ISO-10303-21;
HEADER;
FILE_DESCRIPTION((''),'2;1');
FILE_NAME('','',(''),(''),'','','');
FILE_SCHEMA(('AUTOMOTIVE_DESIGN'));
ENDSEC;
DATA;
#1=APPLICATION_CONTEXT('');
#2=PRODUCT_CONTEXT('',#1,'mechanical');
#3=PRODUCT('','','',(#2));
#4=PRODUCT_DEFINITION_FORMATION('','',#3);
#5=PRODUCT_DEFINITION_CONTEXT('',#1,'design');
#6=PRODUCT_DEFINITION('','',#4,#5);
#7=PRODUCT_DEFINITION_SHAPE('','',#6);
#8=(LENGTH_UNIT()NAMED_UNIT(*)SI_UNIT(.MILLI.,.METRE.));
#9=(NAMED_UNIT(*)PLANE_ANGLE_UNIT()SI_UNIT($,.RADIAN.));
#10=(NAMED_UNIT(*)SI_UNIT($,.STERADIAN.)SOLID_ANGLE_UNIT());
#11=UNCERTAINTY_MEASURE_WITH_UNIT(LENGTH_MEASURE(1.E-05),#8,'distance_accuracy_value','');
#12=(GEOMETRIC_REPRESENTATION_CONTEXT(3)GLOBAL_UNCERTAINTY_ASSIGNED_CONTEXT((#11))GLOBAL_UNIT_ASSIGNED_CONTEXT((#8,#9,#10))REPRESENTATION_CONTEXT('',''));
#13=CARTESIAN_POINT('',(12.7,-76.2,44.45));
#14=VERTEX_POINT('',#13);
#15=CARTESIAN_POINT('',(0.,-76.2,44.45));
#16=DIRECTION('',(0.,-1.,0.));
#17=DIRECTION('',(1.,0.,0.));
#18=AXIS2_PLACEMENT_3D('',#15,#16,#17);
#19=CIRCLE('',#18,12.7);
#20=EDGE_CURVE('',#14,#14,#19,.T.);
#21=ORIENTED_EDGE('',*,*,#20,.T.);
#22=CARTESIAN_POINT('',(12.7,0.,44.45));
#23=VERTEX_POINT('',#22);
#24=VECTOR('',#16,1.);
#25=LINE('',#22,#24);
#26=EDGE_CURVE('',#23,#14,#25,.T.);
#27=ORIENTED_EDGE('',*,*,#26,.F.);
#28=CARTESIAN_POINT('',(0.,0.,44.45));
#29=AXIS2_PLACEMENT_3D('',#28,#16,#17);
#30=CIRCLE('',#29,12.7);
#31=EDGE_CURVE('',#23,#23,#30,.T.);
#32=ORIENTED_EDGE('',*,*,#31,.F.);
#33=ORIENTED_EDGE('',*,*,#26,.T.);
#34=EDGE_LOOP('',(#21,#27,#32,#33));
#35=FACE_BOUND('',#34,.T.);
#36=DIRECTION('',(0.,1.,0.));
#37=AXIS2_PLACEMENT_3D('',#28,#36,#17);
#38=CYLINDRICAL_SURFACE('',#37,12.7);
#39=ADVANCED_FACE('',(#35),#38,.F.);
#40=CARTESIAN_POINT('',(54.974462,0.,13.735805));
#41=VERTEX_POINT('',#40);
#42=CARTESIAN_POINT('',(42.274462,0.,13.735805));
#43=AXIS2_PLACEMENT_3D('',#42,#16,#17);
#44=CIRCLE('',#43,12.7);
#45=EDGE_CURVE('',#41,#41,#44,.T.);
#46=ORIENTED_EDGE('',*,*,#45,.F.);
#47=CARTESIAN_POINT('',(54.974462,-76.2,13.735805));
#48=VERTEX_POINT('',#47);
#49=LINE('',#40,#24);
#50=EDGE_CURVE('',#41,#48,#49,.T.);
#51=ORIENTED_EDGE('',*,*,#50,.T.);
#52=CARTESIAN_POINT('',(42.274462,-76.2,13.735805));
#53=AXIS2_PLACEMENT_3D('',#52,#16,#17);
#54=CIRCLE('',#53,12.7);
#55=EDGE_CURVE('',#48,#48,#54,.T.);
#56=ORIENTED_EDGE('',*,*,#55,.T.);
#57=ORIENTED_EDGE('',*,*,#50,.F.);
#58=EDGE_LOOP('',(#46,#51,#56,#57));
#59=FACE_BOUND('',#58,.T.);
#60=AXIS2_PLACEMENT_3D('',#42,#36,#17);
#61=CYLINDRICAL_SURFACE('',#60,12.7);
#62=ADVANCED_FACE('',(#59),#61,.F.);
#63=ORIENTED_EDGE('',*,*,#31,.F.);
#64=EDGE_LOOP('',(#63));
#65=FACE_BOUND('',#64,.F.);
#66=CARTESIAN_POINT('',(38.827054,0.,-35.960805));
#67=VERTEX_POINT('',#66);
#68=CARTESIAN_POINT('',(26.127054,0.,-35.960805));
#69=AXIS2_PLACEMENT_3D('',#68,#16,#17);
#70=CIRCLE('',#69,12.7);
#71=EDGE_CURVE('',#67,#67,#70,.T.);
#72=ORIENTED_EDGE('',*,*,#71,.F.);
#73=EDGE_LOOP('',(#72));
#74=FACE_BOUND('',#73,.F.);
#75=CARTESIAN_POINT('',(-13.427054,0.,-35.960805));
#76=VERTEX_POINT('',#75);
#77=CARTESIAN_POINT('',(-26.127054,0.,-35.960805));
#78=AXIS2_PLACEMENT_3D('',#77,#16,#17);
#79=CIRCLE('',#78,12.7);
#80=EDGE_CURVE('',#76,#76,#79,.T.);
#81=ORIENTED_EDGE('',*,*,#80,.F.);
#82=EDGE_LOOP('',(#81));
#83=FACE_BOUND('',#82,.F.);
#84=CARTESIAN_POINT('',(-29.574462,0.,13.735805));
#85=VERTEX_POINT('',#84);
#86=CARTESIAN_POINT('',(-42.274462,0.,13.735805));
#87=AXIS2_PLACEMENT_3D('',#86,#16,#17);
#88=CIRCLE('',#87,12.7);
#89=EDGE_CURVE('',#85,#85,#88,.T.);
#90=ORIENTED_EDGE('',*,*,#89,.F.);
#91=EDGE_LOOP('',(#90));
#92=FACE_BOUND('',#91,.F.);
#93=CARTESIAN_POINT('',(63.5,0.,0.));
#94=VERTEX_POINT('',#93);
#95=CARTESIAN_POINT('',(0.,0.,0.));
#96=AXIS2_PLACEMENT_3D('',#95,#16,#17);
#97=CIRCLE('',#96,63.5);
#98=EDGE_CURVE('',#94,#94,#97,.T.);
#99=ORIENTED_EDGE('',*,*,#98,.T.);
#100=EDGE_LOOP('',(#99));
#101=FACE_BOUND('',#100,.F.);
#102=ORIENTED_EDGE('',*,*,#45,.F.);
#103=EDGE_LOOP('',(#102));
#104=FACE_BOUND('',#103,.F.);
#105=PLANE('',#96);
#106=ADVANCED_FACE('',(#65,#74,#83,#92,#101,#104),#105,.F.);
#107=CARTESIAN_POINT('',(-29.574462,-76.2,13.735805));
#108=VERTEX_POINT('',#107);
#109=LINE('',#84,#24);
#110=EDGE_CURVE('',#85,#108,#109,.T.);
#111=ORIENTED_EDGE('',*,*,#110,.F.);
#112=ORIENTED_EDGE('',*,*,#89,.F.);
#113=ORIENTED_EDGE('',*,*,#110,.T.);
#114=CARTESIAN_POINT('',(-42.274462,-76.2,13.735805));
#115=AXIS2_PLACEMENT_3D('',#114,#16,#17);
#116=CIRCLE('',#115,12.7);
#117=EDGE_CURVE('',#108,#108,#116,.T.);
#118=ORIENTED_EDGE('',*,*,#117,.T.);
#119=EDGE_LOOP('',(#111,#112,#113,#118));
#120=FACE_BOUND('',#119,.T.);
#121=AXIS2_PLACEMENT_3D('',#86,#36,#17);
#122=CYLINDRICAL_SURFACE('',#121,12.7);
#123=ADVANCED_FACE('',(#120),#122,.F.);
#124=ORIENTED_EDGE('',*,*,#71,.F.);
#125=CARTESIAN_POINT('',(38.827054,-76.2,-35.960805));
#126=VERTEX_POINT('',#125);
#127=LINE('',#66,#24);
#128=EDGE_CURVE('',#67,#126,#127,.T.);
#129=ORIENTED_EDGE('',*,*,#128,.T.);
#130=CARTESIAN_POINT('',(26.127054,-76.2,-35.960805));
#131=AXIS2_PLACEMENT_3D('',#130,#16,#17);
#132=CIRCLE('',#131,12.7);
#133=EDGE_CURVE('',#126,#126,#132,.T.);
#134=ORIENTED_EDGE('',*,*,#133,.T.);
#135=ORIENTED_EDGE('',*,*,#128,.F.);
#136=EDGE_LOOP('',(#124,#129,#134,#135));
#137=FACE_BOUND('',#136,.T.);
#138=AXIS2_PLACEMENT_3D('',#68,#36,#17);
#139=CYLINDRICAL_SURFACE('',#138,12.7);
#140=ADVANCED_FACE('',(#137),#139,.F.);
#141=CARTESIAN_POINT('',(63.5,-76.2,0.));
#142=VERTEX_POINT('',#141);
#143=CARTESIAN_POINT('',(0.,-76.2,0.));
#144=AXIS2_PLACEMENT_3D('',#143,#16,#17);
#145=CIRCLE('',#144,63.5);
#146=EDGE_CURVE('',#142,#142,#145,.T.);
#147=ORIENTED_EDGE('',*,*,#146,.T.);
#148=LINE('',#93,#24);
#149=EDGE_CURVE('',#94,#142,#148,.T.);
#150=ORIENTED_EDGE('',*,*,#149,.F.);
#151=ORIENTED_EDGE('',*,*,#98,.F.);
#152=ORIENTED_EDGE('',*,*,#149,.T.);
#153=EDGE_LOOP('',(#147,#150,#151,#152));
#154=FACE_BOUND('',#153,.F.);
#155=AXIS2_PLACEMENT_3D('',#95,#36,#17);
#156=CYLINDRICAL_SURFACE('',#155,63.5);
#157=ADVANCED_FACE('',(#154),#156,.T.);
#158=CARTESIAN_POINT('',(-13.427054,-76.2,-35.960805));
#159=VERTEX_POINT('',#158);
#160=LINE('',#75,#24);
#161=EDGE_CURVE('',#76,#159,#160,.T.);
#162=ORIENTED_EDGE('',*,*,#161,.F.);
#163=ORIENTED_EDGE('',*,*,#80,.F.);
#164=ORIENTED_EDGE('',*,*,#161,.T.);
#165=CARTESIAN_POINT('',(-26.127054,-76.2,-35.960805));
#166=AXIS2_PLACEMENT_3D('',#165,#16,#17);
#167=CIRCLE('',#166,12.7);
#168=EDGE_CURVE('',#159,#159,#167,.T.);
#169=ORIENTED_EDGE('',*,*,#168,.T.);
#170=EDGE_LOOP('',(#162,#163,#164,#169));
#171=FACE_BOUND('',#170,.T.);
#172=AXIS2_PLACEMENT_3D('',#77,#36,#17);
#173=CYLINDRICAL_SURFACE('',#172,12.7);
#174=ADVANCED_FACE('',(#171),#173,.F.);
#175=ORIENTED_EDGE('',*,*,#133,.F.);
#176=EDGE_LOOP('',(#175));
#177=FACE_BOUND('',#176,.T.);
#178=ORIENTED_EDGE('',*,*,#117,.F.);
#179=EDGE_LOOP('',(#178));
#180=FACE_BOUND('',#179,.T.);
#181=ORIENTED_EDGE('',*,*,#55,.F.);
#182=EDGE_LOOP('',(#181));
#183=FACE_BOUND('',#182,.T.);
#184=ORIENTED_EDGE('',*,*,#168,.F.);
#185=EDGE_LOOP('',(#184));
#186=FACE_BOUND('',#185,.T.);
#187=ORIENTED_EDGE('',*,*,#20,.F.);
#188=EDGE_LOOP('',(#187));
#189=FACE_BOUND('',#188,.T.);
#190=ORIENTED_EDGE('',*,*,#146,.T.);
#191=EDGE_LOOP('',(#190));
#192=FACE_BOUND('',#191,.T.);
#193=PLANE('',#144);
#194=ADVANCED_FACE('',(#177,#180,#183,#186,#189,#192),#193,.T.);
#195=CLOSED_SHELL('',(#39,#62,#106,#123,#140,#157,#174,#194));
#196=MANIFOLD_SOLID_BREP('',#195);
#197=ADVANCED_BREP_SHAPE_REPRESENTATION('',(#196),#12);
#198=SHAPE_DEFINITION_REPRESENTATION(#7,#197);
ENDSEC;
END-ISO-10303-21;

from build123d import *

# Parameters (mm, degrees)
F0_R     = 63.5
F0_R_2   = 12.7
F1_DEPTH = 76.2


with BuildPart() as f1:
    # F0 (on Front) → F1 (new body)
    with BuildSketch(Plane.XZ):
        Circle(F0_R)
        with Locations((-26.127054, -35.960805)):
            Circle(F0_R_2, mode=Mode.SUBTRACT)
        with Locations((26.127054, -35.960805)):
            Circle(F0_R_2, mode=Mode.SUBTRACT)
        with Locations((-42.274462, 13.735805)):
            Circle(F0_R_2, mode=Mode.SUBTRACT)
        with Locations((42.274462, 13.735805)):
            Circle(F0_R_2, mode=Mode.SUBTRACT)
        with Locations((0, 44.45)):
            Circle(F0_R_2, mode=Mode.SUBTRACT)
    extrude(amount=F1_DEPTH)


solid = f1.part
